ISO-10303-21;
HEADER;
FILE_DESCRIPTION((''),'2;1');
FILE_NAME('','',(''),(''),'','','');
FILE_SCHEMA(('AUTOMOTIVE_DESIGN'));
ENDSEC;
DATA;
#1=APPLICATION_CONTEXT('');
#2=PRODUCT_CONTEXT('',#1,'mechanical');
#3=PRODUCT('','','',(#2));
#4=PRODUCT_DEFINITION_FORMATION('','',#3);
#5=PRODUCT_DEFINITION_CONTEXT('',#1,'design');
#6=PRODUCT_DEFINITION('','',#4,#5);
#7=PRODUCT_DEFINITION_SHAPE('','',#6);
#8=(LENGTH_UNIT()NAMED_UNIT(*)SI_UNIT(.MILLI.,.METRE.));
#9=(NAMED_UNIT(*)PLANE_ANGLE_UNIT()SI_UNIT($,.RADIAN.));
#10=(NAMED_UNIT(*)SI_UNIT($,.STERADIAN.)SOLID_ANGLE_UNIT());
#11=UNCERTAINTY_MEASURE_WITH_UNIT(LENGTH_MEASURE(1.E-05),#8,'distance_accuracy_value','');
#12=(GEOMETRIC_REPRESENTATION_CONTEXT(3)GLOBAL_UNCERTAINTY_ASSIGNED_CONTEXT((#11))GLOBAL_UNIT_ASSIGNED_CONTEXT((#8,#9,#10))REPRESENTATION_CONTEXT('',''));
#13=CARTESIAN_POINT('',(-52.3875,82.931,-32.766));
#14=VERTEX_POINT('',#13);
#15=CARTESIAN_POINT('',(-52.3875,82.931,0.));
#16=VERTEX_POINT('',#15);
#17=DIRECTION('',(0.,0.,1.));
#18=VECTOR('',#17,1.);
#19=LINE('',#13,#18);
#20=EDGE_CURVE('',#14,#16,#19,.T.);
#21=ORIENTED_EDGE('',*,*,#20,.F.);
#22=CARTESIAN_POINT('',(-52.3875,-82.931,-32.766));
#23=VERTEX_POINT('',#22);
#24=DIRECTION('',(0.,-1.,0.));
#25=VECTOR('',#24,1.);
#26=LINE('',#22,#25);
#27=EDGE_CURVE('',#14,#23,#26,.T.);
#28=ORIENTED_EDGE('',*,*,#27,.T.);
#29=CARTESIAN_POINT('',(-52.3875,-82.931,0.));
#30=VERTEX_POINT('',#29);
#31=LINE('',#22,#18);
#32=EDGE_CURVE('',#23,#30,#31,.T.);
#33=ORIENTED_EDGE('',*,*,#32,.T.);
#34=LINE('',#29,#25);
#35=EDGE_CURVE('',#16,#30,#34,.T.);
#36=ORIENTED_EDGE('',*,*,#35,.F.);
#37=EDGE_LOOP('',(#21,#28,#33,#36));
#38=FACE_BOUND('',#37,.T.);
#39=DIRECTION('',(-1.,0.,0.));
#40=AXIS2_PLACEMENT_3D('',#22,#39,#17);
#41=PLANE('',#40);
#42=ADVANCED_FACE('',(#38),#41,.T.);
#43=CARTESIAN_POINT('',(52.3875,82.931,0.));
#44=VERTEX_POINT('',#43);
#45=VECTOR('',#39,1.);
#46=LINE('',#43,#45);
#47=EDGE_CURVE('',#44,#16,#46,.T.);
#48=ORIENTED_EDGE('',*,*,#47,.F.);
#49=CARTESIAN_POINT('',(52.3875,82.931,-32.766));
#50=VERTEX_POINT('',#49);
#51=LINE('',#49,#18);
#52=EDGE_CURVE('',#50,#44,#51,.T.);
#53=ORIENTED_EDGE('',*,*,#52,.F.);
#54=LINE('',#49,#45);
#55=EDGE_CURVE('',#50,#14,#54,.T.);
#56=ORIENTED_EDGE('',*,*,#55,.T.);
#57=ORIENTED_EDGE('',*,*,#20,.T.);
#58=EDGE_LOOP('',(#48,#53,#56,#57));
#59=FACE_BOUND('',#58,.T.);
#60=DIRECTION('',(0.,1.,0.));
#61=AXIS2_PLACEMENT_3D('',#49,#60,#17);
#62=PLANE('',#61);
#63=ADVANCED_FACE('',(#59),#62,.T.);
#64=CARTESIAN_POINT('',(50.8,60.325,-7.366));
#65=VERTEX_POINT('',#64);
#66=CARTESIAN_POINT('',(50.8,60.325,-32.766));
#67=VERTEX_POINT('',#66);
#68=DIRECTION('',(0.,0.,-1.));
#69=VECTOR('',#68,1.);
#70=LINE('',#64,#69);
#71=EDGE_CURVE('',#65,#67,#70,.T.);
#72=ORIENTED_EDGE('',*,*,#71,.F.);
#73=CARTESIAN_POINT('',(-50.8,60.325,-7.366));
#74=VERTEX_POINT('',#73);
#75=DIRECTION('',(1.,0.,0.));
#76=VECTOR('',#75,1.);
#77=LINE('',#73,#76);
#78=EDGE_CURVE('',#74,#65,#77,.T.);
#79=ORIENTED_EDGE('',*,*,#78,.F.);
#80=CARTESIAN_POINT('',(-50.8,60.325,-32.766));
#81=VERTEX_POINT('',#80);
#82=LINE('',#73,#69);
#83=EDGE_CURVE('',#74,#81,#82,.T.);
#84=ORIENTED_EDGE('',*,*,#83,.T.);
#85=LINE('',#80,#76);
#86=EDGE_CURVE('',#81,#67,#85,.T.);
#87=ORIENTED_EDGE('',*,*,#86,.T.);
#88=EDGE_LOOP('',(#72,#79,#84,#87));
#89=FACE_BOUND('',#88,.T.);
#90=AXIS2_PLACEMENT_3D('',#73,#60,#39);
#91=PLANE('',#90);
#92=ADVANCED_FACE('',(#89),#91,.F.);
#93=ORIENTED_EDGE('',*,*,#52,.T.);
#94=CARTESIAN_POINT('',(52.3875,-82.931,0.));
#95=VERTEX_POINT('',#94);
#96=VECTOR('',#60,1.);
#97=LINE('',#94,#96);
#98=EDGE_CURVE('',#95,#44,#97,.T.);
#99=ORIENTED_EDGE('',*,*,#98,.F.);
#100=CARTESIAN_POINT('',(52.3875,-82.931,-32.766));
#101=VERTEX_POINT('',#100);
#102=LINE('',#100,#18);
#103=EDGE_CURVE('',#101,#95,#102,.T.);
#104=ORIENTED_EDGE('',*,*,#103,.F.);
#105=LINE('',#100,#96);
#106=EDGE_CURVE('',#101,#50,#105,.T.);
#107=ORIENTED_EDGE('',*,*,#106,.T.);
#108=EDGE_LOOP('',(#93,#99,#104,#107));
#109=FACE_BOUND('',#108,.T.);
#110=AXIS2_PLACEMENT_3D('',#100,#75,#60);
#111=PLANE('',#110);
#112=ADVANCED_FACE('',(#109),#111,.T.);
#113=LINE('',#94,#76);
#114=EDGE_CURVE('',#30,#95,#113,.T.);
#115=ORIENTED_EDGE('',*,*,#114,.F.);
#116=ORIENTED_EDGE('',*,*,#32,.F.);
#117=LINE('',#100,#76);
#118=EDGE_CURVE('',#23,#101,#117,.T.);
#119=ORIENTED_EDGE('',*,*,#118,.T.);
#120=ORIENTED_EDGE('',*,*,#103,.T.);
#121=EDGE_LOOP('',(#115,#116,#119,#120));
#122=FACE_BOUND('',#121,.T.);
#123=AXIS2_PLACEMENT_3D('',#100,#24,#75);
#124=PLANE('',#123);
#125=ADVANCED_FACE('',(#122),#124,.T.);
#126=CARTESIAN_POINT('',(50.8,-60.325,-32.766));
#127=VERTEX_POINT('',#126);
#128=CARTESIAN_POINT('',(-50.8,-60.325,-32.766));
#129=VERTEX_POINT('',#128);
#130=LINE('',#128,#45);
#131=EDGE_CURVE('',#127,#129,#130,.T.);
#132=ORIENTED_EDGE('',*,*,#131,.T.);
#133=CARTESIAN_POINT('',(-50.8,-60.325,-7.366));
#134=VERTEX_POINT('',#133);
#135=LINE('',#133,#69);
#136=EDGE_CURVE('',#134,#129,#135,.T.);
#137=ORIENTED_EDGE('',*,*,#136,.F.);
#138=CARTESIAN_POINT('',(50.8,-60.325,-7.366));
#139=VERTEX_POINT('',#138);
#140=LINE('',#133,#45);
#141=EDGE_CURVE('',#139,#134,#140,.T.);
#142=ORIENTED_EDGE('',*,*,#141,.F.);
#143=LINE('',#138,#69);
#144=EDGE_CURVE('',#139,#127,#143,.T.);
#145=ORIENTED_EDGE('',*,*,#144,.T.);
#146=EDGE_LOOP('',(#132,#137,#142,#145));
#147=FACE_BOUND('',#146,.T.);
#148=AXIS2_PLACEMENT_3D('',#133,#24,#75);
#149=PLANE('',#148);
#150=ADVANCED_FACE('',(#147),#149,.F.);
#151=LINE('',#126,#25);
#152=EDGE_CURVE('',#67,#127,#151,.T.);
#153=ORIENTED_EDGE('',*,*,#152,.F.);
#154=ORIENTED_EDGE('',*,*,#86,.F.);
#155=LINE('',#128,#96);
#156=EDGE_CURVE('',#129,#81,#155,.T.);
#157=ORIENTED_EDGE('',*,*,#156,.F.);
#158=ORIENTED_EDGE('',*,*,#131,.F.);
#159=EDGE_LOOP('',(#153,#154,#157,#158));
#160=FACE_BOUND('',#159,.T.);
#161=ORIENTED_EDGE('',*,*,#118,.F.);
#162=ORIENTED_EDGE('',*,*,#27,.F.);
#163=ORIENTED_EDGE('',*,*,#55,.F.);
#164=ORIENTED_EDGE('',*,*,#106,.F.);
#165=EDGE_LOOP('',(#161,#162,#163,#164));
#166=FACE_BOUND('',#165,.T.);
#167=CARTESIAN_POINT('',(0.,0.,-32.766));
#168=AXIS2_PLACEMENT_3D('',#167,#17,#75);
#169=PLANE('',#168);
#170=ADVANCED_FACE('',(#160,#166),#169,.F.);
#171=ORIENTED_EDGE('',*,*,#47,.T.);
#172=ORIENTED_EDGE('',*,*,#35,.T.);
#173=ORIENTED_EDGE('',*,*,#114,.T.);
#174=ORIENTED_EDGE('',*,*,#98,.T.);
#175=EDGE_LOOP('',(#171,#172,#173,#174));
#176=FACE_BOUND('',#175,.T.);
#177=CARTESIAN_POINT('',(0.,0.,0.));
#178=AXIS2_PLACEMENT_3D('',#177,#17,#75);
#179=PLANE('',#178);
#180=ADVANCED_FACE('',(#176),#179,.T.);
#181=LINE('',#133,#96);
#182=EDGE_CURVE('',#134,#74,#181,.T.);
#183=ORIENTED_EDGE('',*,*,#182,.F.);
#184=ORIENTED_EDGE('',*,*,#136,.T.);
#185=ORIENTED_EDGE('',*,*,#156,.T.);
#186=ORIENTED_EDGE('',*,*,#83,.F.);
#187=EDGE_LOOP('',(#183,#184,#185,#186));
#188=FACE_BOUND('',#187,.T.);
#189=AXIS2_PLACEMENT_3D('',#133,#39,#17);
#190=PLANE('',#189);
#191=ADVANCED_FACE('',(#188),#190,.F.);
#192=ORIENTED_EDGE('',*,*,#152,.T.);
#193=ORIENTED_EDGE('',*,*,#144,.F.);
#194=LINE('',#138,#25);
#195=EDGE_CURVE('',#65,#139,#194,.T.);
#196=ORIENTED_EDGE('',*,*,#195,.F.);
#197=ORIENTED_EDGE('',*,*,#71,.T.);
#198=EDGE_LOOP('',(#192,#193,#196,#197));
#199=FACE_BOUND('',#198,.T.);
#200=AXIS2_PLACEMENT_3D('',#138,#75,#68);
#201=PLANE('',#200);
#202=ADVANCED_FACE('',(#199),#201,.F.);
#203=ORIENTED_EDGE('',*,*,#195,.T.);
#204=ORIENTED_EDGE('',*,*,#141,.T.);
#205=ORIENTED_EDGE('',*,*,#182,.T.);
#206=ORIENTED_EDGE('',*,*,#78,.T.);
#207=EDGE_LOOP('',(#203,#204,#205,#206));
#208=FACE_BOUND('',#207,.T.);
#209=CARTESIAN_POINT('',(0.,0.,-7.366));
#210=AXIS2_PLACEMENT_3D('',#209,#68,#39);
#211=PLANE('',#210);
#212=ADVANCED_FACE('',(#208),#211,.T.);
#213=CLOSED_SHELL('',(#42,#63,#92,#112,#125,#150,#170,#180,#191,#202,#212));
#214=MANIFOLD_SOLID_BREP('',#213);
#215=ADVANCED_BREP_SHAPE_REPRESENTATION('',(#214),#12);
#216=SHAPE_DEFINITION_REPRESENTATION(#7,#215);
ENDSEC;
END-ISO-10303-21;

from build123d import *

# Parameters (mm, degrees)
SKETCH1_W           = 104.775
SKETCH1_H           = 165.862
BOSS_EXTRUDE1_DEPTH = 32.766
SKETCH2_W           = 101.6
SKETCH2_H           = 120.65
CUT_EXTRUDE1_DEPTH  = 25.4


with BuildPart() as part:
    # Sketch1 → Boss-Extrude1 (new body)
    with BuildSketch(Plane.XY):
        Rectangle(SKETCH1_W, SKETCH1_H)
    extrude(amount=-BOSS_EXTRUDE1_DEPTH)

    # Sketch2 → Cut-Extrude1 (cut)
    with BuildSketch(Plane(origin=(0, 0, -32.766), x_dir=(-1, 0, 0), z_dir=(0, 0, -1))):
        Rectangle(SKETCH2_W, SKETCH2_H)
    extrude(amount=-CUT_EXTRUDE1_DEPTH, mode=Mode.SUBTRACT)


solid = part.part
